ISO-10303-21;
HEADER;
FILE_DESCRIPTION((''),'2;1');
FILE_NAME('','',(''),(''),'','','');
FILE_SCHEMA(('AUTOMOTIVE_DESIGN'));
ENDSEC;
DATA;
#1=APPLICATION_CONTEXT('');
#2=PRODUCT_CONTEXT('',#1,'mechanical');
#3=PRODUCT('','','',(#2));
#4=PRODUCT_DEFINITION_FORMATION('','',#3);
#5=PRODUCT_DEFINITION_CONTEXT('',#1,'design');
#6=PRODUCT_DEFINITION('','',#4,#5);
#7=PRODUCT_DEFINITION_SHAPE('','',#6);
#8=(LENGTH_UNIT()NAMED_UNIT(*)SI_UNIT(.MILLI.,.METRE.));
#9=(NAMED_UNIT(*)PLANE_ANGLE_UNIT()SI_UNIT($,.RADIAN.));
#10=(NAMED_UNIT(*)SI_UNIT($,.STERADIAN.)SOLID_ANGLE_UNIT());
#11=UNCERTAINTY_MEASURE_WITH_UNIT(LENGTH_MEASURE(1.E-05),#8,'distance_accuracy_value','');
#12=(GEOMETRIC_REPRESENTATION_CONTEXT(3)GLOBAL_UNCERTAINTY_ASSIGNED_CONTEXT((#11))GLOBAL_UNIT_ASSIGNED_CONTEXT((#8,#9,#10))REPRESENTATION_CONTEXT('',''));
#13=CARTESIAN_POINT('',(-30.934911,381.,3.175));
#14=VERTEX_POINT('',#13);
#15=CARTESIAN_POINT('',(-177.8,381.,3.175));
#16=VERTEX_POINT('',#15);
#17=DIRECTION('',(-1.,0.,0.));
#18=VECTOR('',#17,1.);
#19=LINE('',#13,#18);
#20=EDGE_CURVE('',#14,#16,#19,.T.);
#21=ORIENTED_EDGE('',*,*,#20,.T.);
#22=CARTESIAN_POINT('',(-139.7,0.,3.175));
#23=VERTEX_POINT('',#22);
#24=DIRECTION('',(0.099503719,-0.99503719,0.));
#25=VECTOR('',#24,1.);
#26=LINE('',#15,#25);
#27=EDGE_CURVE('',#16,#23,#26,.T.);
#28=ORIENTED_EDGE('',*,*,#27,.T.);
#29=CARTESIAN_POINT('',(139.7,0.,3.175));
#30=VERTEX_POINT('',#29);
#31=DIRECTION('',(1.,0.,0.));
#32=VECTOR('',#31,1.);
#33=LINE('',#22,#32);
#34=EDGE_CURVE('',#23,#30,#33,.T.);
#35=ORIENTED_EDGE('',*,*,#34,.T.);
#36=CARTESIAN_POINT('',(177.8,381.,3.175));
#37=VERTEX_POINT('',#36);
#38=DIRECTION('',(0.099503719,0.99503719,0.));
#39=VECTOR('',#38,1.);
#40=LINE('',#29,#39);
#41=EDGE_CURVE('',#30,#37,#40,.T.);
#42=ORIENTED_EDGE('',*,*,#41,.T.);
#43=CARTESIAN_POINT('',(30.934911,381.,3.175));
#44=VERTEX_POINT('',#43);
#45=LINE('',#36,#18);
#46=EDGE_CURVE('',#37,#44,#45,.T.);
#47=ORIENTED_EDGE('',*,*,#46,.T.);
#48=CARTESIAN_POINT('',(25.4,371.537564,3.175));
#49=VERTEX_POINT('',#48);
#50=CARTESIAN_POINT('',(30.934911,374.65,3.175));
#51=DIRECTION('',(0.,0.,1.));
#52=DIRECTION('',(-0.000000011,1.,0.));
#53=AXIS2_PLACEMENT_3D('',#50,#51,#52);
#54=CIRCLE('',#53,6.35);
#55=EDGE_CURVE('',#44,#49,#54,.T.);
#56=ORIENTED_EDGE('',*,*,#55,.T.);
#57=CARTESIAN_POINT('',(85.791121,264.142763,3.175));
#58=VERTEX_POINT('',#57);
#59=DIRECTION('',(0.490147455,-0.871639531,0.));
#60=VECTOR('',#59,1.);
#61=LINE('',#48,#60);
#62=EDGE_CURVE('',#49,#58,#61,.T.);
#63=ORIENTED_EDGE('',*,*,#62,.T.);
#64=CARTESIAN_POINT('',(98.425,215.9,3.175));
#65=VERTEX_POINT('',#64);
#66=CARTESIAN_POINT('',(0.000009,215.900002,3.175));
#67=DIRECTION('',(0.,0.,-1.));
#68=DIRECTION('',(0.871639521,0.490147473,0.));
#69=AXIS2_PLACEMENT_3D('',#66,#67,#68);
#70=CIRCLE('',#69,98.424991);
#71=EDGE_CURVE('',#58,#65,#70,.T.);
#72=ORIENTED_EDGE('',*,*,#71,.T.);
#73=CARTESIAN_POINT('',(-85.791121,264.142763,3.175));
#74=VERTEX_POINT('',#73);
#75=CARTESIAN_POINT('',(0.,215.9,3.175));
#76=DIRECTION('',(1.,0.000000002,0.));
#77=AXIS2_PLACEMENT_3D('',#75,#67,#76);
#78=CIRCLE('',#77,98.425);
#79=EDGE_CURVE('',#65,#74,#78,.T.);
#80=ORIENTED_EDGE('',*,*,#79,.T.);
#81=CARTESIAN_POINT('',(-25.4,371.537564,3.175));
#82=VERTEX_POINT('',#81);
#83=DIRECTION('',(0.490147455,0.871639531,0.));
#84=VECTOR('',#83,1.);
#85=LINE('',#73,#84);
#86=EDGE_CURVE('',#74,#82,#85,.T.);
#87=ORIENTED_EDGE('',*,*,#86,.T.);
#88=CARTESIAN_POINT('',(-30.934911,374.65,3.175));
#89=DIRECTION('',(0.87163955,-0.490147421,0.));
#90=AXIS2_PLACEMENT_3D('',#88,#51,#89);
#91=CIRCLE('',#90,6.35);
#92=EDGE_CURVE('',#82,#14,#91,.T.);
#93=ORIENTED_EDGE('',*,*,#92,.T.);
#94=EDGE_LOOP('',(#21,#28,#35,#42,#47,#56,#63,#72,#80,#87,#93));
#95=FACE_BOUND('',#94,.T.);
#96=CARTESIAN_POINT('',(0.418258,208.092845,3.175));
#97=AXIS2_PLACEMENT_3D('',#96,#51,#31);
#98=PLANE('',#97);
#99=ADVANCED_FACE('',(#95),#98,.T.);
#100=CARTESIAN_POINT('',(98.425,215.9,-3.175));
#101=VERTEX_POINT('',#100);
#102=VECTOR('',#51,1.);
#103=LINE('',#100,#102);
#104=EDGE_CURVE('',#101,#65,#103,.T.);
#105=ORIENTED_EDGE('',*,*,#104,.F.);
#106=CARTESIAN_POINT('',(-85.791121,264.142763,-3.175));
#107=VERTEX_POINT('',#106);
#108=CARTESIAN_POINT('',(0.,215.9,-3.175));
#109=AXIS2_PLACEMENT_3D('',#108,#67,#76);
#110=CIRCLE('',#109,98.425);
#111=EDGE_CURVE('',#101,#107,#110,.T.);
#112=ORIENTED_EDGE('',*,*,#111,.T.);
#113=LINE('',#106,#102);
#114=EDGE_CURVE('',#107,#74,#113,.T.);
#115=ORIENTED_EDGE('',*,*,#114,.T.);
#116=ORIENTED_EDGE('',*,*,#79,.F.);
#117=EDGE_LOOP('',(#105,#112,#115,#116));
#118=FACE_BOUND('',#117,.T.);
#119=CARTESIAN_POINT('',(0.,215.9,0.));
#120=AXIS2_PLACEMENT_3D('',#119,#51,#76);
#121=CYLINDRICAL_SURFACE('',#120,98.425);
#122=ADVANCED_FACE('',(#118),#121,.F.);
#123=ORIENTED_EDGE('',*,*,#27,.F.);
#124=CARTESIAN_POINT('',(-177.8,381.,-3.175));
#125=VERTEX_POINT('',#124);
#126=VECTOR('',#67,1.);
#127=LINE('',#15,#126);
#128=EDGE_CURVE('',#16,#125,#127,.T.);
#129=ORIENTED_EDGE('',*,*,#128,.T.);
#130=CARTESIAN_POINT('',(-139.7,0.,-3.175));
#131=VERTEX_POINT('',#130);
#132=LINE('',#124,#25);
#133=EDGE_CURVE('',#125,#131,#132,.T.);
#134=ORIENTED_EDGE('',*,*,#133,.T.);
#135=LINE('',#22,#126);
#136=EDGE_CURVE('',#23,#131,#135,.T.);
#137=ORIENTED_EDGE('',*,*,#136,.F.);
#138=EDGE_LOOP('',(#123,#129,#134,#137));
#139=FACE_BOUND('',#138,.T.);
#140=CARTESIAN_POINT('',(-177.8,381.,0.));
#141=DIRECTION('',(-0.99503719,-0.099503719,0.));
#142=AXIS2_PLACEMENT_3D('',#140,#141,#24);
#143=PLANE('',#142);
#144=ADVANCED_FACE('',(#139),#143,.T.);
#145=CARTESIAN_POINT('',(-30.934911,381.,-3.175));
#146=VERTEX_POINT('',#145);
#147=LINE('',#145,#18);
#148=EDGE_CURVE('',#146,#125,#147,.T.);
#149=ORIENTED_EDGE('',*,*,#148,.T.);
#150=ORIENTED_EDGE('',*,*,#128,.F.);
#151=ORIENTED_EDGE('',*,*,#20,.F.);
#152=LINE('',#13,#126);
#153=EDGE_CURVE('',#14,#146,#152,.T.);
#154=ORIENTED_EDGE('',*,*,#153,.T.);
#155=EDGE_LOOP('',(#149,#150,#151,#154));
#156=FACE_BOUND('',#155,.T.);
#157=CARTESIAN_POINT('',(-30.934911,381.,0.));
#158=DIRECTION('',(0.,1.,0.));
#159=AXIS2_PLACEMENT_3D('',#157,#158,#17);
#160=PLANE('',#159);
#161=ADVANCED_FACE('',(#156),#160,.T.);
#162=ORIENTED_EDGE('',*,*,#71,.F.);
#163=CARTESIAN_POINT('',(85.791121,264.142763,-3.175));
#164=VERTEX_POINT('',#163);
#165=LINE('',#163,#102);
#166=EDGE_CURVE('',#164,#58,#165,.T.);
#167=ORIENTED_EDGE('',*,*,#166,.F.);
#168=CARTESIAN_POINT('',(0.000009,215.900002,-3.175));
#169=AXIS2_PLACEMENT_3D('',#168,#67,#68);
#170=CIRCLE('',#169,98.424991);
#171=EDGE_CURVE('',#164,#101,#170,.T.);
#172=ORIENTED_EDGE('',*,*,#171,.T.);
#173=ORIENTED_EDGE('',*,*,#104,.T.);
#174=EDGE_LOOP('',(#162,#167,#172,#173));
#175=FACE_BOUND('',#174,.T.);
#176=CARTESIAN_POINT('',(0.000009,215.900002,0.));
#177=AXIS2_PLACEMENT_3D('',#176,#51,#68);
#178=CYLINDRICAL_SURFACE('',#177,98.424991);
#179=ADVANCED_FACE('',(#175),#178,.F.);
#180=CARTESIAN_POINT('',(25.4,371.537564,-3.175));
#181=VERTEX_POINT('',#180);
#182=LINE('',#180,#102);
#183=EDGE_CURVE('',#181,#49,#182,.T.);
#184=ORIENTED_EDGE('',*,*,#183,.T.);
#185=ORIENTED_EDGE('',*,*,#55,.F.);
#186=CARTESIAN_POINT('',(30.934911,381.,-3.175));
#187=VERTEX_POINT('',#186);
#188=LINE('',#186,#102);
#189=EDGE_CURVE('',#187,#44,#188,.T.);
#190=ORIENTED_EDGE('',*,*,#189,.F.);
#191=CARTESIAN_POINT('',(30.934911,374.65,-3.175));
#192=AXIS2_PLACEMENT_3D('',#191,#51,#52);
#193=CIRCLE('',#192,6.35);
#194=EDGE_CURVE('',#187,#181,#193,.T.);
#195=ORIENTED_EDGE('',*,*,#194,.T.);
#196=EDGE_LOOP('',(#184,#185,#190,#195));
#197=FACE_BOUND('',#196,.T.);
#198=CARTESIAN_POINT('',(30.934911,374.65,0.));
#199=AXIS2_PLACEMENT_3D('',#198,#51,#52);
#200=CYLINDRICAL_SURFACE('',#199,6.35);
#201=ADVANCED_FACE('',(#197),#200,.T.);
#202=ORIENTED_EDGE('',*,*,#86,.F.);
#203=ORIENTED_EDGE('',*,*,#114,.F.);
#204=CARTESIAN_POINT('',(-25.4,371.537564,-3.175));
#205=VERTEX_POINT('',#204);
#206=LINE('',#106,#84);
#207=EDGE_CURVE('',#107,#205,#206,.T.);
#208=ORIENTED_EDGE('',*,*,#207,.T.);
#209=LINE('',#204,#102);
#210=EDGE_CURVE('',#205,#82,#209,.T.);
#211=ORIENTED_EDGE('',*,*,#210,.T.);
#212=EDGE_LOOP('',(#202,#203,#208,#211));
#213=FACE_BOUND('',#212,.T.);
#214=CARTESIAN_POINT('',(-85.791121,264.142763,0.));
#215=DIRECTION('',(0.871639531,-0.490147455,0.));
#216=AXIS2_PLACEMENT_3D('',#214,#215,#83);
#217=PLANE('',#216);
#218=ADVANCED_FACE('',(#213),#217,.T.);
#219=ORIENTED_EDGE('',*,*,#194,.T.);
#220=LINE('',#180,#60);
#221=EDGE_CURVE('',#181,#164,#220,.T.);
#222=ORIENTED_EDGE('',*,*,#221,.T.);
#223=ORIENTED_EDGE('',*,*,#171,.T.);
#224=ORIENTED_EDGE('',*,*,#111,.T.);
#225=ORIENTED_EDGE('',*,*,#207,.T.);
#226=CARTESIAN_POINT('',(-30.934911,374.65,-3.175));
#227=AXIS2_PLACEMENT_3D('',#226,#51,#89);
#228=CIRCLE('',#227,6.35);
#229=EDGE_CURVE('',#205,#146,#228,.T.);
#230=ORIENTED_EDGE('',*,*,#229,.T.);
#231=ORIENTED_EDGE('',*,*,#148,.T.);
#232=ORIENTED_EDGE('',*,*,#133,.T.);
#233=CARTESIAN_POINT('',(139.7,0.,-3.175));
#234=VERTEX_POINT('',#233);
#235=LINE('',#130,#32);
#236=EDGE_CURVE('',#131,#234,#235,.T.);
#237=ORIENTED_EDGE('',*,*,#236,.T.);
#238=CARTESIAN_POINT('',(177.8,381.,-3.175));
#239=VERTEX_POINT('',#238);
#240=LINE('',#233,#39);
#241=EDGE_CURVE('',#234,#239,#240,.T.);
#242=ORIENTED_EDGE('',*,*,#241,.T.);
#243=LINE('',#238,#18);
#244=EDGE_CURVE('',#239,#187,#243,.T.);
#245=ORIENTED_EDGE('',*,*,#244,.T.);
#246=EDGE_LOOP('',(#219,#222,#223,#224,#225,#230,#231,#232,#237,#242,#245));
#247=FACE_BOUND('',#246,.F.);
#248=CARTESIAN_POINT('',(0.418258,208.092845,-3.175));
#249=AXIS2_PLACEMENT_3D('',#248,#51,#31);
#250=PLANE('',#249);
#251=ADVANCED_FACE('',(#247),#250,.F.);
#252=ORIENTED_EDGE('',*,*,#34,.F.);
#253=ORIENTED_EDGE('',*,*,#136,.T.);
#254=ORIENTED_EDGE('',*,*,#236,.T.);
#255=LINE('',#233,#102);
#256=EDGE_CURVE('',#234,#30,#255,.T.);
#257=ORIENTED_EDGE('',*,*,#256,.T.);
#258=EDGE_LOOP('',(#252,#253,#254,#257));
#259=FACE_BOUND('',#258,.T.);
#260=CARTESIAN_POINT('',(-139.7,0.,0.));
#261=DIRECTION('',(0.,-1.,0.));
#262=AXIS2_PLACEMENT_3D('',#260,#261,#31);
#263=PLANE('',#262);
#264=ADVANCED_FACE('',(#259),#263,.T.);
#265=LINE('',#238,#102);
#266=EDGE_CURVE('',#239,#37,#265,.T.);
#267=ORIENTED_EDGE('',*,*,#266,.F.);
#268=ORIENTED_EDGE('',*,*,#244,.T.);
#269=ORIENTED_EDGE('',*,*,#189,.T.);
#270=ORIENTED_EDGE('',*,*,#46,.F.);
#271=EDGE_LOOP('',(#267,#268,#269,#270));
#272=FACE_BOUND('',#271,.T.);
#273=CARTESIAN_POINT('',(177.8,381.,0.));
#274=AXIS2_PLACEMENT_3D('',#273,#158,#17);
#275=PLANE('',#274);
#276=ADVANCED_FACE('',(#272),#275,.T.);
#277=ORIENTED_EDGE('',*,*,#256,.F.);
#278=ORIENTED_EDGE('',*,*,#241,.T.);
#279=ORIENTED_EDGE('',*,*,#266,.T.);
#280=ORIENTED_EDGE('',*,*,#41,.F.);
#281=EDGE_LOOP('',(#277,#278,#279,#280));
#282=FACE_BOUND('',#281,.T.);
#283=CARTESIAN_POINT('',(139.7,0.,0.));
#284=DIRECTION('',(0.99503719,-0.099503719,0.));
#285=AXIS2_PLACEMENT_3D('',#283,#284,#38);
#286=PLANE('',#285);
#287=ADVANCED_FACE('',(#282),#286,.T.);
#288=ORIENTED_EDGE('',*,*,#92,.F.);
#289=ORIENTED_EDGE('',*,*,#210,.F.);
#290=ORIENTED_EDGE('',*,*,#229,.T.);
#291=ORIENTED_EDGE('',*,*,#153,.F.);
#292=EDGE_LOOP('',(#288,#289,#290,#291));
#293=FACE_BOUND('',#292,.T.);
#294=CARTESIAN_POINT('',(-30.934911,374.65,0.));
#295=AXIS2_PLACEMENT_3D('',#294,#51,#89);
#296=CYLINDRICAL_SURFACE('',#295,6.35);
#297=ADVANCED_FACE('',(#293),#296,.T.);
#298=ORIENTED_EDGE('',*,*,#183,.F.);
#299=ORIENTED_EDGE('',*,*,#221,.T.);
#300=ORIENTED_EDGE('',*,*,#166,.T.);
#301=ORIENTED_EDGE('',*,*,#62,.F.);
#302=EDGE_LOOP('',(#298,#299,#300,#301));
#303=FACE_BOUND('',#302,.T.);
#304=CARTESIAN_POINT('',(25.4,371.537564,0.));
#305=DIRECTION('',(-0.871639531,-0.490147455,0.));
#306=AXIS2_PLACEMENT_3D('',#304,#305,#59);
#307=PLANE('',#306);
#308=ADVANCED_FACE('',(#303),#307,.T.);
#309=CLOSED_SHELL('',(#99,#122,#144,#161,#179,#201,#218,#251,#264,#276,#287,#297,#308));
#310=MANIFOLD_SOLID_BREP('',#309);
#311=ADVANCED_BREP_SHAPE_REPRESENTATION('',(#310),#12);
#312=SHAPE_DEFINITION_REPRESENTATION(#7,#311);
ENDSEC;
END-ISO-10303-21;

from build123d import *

# Parameters (mm, degrees)
F1_DEPTH = 3.175


with BuildPart() as f1:
    # F0 (on Top) → F1 (new body, symmetric)
    with BuildSketch(Plane.XY):
        with BuildLine():
            Line((-139.7, 0), (0, 0))
            Line((0, 0), (139.7, 0))
            Line((139.7, 0), (177.8, 381))
            Line((177.8, 381), (30.934911, 381))
            ThreePointArc((30.934911, 381), (25.45374, 377.856129), (25.4, 371.537564))
            Line((25.4, 371.537564), (85.791121, 264.142763))
            ThreePointArc((85.791121, 264.142763), (95.214158, 240.834811), (98.425, 215.9))
            ThreePointArc((98.425, 215.9), (-24.934811, 120.685842), (-85.791121, 264.142763))
            Line((-85.791121, 264.142763), (-25.4, 371.537564))
            ThreePointArc((-25.4, 371.537564), (-25.45374, 377.856129), (-30.934911, 381))
            Line((-30.934911, 381), (-177.8, 381))
            Line((-177.8, 381), (-139.7, 0))
        make_face()
    extrude(amount=F1_DEPTH, both=True)


solid = f1.part
